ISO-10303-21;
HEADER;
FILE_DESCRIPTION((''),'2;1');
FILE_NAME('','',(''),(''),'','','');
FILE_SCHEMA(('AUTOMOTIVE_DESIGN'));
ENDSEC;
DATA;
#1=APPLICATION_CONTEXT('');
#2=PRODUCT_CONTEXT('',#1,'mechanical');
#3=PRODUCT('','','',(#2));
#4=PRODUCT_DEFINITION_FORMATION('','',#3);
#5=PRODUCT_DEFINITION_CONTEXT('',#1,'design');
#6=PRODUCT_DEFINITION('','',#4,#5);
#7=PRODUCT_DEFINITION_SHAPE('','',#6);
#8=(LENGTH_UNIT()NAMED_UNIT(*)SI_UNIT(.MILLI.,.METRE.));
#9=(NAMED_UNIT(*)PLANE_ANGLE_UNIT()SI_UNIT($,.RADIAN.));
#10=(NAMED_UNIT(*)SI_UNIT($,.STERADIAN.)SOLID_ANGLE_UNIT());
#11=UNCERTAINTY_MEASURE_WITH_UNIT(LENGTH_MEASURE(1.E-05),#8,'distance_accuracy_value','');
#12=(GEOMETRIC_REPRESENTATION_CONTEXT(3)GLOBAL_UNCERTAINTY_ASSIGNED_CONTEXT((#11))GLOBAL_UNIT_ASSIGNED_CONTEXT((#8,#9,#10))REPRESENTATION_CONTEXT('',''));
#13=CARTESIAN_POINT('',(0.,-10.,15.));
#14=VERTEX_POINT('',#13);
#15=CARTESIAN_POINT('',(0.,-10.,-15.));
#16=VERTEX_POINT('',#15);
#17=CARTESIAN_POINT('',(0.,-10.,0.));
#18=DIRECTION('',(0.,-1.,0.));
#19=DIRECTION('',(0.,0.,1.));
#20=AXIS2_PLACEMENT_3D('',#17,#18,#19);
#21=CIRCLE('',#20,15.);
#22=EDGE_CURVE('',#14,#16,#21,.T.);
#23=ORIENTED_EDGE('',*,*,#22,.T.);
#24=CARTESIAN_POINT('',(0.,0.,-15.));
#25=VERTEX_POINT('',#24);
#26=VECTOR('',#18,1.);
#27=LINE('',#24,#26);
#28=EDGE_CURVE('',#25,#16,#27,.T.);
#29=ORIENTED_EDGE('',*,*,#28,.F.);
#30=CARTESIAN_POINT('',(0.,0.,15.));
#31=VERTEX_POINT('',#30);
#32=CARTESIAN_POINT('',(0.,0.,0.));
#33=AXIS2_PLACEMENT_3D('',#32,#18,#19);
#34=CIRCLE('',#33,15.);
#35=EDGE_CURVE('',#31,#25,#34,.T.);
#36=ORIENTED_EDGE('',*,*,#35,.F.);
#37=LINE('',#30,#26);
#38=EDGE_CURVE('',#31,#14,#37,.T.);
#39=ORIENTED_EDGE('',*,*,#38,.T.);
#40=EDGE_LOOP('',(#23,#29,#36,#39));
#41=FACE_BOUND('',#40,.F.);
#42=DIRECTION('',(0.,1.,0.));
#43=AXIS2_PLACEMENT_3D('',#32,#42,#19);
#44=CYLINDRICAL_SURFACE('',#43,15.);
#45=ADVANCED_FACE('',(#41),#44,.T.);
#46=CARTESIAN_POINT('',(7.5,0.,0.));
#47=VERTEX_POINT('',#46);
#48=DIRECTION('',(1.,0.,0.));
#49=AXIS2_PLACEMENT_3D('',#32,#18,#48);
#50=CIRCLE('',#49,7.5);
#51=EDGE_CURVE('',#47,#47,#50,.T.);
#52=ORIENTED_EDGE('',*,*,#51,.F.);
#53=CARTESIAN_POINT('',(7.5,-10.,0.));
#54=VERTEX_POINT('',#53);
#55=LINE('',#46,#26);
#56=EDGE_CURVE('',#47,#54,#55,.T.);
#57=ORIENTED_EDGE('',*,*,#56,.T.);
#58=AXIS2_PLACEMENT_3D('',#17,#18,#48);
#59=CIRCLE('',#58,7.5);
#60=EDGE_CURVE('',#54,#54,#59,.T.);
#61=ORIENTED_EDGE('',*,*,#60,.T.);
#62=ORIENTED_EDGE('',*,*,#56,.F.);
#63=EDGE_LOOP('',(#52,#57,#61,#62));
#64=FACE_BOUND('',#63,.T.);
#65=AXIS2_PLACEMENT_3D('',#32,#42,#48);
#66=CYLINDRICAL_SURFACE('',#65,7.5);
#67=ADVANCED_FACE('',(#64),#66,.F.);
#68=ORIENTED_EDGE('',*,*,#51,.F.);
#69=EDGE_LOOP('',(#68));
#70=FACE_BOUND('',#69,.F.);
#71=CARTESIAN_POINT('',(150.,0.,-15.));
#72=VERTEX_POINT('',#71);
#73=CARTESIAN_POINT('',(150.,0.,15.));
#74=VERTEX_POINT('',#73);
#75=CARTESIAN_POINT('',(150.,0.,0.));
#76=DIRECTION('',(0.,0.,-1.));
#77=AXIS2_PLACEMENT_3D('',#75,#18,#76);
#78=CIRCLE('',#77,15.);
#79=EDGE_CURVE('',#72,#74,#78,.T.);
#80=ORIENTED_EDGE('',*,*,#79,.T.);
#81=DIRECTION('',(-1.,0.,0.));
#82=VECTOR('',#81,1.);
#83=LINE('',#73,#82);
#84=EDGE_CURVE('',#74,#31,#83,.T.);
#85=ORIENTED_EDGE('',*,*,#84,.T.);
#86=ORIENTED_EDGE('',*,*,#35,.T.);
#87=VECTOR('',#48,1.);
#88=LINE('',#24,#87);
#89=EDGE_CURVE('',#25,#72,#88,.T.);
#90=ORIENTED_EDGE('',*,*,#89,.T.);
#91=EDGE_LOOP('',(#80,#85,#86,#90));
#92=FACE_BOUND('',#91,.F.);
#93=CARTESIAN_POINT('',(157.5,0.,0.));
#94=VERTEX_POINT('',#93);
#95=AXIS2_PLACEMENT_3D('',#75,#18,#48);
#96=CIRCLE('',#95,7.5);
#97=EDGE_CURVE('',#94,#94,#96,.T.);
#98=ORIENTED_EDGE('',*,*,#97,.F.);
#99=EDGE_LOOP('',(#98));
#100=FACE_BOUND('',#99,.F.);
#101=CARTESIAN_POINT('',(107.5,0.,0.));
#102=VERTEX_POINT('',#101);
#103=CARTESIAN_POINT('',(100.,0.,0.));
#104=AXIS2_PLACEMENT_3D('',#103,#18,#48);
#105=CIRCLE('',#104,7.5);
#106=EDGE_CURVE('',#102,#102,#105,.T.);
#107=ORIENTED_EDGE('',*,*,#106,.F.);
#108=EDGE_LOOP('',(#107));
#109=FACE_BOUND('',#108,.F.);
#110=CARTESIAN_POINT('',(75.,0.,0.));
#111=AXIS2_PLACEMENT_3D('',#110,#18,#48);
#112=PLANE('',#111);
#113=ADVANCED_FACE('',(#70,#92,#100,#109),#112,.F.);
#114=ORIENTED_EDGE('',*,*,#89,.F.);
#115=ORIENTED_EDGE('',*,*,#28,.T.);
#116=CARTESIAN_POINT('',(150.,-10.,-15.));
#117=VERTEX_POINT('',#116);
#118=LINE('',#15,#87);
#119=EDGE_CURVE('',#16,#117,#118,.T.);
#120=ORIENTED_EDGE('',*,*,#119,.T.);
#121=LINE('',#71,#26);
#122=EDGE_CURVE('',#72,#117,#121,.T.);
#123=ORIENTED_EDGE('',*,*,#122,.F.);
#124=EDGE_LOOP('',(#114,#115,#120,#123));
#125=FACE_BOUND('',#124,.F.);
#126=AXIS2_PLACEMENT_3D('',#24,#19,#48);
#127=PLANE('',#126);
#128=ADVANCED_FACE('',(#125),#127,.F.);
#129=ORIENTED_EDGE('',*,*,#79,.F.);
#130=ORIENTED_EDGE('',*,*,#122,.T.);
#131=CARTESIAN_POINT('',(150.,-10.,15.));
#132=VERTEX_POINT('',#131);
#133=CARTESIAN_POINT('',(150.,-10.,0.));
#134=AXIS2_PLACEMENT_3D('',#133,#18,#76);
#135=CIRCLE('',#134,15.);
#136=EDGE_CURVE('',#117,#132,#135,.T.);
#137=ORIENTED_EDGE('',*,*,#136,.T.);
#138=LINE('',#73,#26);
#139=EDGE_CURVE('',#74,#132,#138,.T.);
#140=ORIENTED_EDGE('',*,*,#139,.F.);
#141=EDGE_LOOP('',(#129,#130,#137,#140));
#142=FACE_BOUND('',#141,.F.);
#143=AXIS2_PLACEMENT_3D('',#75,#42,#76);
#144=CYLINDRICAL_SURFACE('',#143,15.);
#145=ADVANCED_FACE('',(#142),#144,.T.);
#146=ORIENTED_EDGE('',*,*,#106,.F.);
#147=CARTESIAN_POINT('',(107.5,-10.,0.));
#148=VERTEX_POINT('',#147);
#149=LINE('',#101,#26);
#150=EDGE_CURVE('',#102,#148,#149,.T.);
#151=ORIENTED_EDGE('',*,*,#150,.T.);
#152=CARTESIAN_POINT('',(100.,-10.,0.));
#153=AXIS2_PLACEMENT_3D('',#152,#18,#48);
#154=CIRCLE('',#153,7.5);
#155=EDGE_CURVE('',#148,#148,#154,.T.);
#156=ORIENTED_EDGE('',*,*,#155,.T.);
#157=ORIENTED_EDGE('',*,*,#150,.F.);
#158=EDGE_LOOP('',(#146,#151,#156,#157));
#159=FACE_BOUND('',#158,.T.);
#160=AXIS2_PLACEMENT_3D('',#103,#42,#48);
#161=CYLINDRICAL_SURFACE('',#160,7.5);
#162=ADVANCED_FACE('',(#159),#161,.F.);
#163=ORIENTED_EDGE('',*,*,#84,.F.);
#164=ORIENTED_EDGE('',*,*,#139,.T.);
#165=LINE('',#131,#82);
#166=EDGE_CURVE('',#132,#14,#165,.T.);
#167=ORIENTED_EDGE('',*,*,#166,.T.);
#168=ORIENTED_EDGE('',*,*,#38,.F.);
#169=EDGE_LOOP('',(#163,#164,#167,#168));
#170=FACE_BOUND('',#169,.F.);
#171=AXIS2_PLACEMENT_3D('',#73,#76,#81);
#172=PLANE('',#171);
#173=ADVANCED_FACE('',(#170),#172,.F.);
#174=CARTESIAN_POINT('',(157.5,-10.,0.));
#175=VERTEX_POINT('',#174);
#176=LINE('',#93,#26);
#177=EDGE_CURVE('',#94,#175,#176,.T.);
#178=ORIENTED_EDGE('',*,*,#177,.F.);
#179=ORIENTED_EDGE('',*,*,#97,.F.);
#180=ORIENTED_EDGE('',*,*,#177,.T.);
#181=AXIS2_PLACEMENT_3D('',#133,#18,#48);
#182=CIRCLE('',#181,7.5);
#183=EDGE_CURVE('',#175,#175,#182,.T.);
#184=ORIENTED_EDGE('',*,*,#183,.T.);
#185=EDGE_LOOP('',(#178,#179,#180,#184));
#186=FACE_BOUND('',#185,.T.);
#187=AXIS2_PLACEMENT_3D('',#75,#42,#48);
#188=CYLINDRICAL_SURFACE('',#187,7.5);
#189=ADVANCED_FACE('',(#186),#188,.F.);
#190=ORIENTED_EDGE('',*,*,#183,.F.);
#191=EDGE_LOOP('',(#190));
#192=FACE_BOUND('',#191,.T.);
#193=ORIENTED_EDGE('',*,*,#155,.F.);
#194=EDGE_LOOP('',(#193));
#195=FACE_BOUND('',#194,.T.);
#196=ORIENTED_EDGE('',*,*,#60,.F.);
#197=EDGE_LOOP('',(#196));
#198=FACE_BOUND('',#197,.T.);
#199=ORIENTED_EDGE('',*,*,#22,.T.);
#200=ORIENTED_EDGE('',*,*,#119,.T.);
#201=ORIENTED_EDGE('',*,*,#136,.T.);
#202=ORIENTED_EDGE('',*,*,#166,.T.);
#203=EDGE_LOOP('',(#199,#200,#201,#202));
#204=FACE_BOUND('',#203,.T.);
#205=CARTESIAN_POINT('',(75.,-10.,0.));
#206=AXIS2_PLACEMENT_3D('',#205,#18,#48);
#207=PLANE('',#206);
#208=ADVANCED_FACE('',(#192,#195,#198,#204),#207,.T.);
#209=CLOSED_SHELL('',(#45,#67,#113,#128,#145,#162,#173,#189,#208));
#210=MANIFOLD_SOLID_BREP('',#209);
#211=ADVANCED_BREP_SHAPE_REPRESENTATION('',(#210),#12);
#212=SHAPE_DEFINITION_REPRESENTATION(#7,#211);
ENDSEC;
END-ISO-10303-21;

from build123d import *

# Parameters (mm, degrees)
F0_R     = 7.5
F1_DEPTH = 10


with BuildPart() as f1:
    # F0 (on Front) → F1 (new body)
    with BuildSketch(Plane.XZ):
        with BuildLine():
            Line((150, 15), (0, 15))
            ThreePointArc((0, 15), (-15, 0), (0, -15))
            Line((0, -15), (150, -15))
            ThreePointArc((150, -15), (165, 0), (150, 15))
        make_face()
        Circle(F0_R, mode=Mode.SUBTRACT)
        with Locations((100, 0)):
            Circle(F0_R, mode=Mode.SUBTRACT)
        with Locations((150, 0)):
            Circle(F0_R, mode=Mode.SUBTRACT)
    extrude(amount=F1_DEPTH)


solid = f1.part
